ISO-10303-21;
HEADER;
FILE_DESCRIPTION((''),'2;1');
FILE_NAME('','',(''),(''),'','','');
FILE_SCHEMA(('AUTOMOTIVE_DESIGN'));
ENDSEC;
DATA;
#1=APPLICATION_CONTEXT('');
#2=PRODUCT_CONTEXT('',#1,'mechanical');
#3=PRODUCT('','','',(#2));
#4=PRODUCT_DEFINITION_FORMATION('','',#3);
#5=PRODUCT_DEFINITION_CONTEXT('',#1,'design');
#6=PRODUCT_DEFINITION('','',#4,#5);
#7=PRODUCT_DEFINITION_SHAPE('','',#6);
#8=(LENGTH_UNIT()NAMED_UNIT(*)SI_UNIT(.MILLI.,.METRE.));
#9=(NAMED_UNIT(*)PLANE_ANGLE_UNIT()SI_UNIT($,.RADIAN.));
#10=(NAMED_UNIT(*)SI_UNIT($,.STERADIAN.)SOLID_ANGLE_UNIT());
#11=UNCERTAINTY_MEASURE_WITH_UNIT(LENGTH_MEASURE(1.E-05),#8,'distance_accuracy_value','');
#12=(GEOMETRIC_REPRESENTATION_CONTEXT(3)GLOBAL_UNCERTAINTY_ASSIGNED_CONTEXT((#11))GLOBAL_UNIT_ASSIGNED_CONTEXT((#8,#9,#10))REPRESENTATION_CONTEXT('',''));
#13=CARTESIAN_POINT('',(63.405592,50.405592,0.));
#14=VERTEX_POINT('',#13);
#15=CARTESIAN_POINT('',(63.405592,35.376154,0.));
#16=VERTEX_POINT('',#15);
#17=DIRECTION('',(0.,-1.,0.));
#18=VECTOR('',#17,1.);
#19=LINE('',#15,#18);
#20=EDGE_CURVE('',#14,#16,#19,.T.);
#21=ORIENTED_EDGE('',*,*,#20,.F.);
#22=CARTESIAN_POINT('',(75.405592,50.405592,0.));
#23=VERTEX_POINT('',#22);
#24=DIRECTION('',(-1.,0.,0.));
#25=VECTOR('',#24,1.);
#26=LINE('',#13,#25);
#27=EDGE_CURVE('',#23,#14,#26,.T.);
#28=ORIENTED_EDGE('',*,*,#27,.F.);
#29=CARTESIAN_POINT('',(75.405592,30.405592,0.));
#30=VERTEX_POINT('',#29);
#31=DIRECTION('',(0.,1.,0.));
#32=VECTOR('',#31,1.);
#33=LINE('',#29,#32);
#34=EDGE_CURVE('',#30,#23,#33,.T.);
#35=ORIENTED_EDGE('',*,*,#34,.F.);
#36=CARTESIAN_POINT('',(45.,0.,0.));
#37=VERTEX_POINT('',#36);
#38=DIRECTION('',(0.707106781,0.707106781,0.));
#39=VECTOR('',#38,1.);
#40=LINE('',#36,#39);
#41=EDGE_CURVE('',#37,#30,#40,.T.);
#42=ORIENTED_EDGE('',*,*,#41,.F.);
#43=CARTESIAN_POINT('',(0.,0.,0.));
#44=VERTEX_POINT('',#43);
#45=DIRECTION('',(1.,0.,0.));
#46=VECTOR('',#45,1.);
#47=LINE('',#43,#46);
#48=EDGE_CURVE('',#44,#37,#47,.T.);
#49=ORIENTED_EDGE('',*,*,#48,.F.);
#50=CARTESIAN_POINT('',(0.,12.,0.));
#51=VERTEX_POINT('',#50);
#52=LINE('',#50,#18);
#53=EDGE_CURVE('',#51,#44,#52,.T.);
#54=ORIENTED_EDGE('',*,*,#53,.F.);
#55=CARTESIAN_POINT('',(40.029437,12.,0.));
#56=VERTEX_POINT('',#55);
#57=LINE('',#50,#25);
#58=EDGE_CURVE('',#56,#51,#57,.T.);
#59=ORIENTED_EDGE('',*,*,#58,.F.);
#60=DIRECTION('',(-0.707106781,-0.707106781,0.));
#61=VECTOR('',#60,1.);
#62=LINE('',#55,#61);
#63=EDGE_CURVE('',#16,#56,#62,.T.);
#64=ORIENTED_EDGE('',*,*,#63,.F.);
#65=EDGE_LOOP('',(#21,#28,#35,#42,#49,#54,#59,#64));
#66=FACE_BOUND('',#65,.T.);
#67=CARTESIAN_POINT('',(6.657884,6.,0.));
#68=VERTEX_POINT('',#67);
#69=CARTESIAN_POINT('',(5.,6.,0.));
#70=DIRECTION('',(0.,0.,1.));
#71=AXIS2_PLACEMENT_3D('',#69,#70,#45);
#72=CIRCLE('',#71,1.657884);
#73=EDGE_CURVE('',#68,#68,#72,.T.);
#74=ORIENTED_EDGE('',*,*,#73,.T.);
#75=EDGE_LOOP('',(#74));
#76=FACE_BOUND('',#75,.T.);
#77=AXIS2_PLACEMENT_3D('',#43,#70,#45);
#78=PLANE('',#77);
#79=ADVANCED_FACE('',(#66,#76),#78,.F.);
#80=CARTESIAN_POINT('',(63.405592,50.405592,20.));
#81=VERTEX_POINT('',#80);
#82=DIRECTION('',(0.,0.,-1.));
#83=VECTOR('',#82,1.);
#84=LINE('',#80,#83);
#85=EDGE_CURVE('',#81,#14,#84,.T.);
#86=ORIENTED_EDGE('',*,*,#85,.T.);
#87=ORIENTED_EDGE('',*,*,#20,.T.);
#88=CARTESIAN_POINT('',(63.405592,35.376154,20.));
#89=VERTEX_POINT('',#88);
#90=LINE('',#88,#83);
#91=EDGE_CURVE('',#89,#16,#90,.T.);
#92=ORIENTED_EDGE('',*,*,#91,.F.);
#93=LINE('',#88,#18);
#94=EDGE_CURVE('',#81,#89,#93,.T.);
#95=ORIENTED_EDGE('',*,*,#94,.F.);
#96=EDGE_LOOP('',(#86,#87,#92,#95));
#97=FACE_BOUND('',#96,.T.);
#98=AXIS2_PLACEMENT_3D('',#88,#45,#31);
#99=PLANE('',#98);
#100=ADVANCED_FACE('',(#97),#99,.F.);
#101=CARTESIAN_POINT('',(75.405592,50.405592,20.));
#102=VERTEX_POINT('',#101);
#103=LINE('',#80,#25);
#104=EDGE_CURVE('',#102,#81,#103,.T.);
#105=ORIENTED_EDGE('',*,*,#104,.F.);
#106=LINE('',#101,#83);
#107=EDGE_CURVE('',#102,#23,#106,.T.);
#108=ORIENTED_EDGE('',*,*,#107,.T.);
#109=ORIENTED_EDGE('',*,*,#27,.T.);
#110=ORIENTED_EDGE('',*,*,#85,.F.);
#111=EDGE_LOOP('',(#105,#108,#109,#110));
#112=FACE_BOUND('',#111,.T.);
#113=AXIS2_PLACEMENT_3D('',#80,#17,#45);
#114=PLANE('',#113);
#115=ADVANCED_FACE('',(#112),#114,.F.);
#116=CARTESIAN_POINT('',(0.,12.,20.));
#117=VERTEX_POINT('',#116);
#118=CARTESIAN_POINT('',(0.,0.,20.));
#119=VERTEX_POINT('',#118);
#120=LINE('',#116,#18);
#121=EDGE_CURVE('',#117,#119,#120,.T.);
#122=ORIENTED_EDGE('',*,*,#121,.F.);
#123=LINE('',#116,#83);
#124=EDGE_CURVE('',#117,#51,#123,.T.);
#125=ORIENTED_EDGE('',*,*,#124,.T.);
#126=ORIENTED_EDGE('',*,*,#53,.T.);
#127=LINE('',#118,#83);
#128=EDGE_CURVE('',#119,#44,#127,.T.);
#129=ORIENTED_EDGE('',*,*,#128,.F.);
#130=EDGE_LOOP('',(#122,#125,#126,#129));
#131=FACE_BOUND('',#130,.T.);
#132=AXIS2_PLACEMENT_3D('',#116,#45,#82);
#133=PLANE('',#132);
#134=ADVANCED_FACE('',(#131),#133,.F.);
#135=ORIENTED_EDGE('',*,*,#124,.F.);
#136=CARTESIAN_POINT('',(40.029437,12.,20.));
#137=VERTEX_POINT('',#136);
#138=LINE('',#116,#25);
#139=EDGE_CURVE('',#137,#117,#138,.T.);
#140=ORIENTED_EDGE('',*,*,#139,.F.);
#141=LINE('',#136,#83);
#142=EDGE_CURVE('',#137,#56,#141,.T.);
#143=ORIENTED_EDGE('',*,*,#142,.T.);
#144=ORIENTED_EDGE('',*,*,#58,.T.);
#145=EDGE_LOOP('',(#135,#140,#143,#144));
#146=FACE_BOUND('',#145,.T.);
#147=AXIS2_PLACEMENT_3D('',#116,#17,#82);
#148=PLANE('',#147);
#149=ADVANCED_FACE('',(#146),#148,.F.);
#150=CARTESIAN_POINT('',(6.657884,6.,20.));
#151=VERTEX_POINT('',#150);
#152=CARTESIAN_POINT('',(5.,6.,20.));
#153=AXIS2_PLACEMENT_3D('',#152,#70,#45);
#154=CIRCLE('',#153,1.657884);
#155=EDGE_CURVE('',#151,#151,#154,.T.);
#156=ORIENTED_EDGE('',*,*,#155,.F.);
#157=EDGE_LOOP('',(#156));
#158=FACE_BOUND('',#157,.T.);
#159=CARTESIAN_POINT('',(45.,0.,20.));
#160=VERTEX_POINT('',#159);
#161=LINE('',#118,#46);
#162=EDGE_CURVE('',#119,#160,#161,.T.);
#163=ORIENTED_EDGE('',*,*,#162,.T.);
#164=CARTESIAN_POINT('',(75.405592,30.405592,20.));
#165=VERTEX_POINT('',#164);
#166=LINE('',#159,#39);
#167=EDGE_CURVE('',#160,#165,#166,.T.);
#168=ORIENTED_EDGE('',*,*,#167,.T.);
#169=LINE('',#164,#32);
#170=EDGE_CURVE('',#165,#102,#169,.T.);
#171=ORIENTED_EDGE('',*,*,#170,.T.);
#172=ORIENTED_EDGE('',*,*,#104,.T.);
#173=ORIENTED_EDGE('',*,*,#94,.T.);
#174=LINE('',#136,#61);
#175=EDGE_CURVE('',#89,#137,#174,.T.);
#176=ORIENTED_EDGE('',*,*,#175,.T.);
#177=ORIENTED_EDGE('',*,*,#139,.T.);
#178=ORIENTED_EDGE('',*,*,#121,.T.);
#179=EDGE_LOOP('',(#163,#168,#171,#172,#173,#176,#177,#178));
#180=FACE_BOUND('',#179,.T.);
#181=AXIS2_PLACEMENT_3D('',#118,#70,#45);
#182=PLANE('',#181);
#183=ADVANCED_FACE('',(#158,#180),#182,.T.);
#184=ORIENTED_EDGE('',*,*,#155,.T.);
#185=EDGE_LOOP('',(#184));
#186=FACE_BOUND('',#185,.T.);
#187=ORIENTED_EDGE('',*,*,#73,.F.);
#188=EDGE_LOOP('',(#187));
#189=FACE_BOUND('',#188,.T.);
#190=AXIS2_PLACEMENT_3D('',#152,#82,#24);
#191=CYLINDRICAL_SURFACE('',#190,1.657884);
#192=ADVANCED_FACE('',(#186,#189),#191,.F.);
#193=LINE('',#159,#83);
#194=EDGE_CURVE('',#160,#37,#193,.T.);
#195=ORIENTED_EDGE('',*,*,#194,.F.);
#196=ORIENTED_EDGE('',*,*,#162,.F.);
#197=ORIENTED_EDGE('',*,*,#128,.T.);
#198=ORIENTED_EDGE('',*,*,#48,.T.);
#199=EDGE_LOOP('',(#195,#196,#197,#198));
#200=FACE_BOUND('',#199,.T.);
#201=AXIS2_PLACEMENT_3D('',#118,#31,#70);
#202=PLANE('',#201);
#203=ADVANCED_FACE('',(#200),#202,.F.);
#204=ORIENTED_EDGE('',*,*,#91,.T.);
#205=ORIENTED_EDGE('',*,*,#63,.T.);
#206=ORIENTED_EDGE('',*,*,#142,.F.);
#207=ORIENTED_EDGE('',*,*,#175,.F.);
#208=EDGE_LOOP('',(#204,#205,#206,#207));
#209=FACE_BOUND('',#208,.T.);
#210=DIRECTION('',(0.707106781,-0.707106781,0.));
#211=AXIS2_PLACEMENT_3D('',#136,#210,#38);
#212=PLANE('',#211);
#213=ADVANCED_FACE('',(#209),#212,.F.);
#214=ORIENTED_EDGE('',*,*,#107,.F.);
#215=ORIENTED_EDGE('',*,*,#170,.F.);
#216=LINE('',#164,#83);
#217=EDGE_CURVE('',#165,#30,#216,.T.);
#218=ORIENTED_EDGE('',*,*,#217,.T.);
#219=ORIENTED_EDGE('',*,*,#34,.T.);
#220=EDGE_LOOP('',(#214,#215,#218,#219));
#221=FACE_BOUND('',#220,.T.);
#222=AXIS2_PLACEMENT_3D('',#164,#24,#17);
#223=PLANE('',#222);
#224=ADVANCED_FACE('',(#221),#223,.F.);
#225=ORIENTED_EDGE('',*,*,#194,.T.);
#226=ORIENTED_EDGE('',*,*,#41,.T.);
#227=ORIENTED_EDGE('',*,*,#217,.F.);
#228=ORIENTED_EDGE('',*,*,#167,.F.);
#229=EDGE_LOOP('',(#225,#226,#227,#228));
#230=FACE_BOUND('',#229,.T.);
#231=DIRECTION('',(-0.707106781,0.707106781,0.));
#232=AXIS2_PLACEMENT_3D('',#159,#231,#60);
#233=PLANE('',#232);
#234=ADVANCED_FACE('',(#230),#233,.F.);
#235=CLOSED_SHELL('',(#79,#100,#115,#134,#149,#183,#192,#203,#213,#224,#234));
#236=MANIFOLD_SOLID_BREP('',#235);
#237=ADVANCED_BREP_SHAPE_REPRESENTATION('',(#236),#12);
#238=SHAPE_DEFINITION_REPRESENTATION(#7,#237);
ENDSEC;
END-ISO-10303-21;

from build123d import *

# Parameters (mm, degrees)
SKETCH1_R           = 1.657884289
BOSS_EXTRUDE1_DEPTH = 20


with BuildPart() as part:
    # Sketch1 → Boss-Extrude1 (new body)
    with BuildSketch(Plane.XY):
        Polygon((0, 0), (45, 0), (75.405591591, 30.405591591), (75.405591591, 50.405591591), (63.405591591, 50.405591591), (63.405591591, 35.376154339), (40.029437252, 12), (0, 12), align=None)
        with Locations((5, 6)):
            Circle(SKETCH1_R, mode=Mode.SUBTRACT)
    extrude(amount=BOSS_EXTRUDE1_DEPTH)


solid = part.part
